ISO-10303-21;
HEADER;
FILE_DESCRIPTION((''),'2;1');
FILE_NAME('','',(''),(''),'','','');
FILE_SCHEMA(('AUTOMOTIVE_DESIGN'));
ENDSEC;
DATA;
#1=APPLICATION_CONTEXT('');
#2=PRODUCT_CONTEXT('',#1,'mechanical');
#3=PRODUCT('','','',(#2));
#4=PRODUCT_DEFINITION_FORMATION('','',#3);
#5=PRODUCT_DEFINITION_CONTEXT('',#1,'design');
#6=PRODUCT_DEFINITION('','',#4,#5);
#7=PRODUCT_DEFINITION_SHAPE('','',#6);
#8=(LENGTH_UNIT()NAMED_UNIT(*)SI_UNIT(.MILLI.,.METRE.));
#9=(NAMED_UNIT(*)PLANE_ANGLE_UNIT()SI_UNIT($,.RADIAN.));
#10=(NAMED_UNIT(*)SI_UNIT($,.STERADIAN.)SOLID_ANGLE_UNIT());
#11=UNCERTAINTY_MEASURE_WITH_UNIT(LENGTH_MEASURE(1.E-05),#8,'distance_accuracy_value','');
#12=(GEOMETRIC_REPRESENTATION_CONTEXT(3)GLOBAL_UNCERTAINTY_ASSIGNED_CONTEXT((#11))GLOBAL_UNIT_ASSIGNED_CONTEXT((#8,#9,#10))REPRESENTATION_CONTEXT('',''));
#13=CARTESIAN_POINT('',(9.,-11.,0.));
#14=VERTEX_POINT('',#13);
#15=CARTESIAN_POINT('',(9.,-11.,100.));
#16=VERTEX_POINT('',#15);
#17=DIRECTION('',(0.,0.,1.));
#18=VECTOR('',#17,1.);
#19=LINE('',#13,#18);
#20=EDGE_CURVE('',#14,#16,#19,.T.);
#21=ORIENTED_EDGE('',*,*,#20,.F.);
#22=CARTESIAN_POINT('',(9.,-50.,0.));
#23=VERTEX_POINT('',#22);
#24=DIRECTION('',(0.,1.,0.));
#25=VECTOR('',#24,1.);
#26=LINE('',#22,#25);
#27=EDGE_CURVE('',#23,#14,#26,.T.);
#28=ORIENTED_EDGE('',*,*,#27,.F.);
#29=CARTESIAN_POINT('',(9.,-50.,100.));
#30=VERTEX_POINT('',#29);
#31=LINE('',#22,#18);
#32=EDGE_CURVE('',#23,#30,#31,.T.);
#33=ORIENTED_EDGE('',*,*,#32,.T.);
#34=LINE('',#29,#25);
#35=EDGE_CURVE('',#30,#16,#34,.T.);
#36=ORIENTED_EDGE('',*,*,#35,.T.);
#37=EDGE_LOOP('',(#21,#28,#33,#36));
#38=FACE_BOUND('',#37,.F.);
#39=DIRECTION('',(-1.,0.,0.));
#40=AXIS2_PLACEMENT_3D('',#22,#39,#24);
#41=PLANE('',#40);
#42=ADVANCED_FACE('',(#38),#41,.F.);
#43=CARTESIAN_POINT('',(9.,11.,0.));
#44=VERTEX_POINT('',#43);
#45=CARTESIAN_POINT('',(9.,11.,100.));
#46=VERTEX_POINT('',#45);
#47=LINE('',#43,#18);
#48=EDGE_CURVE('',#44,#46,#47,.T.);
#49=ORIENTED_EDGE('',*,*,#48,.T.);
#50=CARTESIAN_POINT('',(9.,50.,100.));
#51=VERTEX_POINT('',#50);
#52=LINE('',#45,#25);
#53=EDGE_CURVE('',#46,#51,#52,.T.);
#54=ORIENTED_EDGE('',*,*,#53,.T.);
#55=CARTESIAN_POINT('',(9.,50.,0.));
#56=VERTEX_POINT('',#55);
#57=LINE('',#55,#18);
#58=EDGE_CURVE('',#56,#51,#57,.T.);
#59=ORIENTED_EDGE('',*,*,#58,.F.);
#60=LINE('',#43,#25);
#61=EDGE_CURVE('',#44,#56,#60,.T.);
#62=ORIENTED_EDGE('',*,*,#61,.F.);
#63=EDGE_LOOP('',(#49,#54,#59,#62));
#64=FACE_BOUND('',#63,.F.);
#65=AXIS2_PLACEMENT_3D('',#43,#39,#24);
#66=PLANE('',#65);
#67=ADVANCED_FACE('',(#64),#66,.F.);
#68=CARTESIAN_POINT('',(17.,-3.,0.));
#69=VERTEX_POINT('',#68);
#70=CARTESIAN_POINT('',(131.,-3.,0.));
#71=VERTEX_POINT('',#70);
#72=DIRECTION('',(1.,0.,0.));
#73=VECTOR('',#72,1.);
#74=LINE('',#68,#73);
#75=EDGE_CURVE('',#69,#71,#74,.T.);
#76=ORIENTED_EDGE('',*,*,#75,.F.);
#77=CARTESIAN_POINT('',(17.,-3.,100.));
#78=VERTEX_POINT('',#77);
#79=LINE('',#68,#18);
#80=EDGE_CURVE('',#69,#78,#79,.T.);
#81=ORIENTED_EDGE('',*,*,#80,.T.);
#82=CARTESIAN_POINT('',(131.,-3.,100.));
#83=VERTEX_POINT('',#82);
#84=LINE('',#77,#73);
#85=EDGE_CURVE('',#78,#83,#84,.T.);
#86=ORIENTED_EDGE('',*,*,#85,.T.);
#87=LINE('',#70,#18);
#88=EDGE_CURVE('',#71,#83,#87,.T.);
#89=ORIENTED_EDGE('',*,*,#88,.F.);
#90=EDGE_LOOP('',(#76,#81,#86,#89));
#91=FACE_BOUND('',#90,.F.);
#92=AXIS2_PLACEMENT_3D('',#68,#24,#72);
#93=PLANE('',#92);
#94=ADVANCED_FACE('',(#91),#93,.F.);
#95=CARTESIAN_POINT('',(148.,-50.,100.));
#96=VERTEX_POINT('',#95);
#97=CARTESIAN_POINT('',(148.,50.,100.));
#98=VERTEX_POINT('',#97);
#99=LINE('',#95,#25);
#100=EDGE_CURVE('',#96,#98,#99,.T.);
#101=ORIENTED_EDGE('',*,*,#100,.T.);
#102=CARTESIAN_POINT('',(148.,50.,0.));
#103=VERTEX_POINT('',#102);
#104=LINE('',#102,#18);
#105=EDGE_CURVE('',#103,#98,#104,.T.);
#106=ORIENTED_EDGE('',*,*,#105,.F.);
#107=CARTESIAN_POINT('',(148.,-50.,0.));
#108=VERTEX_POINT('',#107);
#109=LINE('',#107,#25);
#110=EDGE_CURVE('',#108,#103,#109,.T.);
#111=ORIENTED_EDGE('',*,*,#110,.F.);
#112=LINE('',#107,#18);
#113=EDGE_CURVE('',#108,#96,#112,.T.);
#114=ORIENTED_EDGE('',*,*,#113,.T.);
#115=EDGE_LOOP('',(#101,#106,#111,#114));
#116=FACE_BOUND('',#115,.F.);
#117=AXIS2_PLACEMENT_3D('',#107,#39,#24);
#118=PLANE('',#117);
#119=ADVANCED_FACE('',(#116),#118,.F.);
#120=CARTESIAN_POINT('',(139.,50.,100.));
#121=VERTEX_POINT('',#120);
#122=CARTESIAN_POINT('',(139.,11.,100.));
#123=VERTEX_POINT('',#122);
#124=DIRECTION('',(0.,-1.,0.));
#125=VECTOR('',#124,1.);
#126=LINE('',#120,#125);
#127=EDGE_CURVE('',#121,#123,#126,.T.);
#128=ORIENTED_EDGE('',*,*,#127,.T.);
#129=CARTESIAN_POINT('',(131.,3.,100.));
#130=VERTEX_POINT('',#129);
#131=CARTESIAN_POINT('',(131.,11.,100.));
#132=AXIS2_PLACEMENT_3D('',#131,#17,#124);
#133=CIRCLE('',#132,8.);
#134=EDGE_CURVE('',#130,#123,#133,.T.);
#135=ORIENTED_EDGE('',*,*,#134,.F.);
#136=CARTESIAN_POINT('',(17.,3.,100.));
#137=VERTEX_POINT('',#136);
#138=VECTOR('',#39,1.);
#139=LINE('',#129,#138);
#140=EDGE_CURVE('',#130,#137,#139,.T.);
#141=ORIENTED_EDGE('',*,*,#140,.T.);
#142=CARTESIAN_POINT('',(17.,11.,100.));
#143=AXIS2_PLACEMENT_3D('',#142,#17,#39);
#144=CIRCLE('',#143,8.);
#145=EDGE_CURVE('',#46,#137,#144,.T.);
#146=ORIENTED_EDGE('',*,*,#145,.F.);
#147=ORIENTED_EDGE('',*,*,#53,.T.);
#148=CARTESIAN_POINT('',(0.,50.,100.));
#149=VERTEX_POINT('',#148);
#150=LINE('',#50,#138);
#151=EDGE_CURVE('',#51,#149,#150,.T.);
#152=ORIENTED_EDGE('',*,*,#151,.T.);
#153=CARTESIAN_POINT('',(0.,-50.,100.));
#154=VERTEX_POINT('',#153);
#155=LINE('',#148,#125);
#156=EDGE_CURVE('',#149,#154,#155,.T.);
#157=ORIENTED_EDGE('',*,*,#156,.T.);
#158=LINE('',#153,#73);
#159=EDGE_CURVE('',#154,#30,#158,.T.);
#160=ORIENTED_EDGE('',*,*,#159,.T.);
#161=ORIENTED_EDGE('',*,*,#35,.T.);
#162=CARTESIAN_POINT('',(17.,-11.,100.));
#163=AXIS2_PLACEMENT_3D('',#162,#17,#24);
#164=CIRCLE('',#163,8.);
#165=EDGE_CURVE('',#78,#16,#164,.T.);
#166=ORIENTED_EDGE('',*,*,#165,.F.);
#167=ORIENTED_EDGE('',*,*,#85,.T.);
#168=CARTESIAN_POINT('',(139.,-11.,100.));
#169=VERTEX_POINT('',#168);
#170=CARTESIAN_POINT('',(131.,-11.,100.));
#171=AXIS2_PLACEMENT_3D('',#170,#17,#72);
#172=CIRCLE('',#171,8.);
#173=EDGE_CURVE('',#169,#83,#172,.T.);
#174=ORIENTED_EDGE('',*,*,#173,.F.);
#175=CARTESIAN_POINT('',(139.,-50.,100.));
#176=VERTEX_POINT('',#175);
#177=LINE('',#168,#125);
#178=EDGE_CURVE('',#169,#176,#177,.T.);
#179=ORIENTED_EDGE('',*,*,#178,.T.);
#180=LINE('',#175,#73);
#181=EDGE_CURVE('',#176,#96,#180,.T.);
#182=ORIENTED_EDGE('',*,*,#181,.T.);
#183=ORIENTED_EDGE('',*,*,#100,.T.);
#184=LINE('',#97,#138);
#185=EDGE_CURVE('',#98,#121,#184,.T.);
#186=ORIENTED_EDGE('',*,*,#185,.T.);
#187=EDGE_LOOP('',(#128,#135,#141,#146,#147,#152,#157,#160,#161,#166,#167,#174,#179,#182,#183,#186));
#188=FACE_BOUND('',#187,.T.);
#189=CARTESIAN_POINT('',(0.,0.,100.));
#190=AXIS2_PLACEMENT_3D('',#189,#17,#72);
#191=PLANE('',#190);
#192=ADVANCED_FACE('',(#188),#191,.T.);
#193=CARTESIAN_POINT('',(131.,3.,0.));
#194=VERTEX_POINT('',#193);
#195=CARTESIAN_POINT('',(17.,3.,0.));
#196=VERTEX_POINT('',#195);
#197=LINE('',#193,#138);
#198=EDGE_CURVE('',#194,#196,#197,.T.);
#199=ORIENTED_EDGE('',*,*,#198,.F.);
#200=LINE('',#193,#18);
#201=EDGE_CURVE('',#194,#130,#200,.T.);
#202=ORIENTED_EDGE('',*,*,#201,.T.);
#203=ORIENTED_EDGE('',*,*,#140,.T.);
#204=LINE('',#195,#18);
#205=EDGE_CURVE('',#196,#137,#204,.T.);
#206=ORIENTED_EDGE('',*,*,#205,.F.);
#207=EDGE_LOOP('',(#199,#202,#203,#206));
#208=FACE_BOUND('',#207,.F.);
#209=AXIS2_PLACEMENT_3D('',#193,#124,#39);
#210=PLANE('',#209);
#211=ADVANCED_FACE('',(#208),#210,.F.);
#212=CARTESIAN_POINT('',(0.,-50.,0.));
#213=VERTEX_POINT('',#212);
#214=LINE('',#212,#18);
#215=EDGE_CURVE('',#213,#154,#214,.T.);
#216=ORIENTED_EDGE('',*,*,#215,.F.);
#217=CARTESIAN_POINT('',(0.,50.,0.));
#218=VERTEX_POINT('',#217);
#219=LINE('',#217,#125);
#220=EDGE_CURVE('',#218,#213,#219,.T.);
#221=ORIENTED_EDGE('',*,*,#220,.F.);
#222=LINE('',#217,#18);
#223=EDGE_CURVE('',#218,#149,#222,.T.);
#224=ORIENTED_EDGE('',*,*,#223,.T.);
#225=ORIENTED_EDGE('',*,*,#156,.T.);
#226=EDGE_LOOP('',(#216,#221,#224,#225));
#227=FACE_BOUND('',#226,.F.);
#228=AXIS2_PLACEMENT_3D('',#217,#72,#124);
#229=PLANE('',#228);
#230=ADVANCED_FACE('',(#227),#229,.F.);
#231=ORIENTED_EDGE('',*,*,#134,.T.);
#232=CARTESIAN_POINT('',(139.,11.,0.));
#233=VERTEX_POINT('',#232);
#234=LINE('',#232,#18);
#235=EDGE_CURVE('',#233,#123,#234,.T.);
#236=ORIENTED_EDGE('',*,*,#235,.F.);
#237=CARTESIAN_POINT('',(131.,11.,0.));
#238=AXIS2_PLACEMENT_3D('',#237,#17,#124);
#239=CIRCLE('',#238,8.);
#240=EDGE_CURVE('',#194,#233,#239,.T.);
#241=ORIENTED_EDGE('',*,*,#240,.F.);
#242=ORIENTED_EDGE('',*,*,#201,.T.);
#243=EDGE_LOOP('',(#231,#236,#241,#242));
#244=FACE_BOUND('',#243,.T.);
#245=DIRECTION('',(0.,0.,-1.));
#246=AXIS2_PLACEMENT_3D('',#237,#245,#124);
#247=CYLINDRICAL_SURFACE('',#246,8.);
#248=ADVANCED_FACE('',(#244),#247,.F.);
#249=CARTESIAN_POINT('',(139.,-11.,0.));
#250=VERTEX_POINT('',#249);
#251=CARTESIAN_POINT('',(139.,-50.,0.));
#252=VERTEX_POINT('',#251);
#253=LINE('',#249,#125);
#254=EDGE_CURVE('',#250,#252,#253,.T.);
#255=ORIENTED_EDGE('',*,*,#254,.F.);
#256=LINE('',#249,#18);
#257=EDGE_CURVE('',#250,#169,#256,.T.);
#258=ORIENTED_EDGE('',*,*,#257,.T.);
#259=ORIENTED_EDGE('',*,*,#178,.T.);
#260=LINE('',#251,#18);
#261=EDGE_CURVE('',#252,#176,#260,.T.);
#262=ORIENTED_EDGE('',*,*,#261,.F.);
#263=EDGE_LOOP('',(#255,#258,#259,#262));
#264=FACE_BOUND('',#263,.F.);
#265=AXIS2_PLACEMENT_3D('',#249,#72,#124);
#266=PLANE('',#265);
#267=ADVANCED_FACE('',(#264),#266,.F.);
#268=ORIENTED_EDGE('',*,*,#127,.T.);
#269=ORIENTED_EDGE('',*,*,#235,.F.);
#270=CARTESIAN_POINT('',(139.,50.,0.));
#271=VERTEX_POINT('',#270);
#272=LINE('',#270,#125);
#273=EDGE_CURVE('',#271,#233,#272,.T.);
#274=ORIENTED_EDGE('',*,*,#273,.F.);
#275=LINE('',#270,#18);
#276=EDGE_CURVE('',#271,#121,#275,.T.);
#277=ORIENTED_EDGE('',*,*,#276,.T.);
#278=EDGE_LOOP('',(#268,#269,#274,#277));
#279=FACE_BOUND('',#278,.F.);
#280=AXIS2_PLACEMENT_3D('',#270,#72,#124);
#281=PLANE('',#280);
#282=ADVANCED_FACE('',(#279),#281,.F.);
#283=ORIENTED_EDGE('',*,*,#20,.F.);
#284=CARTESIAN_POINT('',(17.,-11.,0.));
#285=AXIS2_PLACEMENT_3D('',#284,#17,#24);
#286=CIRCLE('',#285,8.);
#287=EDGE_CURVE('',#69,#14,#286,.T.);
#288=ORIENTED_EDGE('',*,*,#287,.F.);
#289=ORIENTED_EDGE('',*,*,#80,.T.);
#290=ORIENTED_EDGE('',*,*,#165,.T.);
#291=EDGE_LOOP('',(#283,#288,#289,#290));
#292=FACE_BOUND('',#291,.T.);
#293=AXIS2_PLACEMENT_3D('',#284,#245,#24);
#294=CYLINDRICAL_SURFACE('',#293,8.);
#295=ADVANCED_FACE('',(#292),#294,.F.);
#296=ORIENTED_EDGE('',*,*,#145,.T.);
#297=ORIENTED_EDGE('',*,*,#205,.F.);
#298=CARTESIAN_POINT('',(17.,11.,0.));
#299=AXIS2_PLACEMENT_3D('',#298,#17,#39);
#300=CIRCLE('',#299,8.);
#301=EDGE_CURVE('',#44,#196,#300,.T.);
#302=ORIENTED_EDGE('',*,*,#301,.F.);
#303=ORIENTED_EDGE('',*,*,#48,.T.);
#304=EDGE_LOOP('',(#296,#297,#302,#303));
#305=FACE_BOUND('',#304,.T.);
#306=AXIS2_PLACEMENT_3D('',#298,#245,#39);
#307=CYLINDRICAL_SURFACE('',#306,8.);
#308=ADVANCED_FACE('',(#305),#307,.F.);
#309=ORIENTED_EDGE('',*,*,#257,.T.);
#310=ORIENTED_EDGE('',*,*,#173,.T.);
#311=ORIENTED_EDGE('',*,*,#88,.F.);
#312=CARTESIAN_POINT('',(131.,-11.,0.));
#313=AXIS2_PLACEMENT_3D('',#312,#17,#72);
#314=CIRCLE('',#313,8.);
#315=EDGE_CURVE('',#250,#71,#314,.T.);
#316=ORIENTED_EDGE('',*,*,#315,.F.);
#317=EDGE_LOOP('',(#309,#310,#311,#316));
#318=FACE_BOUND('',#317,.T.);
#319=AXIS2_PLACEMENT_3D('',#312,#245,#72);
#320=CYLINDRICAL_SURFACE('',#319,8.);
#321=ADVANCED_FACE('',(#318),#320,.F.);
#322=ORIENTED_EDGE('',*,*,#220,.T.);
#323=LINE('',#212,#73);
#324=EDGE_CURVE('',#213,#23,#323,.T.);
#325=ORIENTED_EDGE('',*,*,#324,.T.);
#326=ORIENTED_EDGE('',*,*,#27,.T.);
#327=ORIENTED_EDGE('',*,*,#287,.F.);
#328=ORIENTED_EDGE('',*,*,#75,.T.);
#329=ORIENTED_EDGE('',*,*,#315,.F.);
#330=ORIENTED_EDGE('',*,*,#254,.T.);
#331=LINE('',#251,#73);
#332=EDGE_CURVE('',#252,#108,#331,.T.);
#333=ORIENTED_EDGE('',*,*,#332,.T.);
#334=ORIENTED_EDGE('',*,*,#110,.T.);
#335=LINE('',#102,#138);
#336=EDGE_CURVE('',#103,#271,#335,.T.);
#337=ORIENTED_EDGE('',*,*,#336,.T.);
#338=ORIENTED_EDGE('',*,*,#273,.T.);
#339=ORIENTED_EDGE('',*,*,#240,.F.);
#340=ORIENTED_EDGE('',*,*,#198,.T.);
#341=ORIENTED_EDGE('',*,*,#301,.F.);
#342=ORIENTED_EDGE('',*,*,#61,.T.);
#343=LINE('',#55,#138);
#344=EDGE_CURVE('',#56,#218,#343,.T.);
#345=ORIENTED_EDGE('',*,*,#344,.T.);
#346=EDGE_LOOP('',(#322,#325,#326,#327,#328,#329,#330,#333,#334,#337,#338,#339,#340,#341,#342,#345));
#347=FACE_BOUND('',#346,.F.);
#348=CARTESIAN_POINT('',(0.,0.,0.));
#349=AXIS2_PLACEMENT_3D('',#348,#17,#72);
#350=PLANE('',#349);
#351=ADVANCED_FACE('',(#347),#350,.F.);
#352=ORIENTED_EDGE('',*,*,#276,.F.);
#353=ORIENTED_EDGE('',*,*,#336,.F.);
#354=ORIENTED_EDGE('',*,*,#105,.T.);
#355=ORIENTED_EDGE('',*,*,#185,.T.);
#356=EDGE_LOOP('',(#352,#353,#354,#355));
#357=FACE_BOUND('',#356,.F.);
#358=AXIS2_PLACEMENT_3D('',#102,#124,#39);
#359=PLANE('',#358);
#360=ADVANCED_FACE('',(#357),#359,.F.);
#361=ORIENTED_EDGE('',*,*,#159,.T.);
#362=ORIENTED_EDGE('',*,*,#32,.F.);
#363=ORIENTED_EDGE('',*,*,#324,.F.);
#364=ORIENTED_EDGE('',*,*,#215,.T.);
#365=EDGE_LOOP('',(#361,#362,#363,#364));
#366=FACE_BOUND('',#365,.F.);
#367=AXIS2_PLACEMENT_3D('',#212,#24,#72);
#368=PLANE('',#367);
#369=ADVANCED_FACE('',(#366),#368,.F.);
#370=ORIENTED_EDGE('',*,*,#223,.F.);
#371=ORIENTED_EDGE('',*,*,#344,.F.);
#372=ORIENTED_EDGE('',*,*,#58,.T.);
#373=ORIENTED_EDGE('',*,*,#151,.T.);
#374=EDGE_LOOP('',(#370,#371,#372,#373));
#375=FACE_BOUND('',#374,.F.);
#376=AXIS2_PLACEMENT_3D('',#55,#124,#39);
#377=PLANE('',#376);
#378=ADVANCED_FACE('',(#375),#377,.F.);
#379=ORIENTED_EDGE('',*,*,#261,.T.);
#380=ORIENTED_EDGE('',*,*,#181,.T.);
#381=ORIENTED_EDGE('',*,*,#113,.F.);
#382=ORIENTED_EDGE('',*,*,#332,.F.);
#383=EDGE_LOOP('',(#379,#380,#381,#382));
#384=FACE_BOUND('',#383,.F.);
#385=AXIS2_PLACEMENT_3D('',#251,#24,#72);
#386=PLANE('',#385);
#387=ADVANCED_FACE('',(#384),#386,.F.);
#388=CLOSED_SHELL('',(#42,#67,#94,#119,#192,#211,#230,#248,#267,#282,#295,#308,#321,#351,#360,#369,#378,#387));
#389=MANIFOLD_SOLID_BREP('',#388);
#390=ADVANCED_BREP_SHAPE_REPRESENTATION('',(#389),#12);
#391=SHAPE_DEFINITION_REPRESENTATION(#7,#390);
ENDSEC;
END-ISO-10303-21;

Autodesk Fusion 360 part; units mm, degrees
sketch "スケッチ1" plane through (0, 0, 0) normal (0, 0, 1) x (1, 0, 0)
  line L0 (0, 50) -> (0, -50)
  line L1 (148, -50) -> (148, 50)
  line L2 (17, -3) -> (131, -3)
  line L3 (9, -50) -> (9, -11)
  line L4 (0, -50) -> (9, -50)
  line L5 (139, -11) -> (139, -50)
  line L6 (139, -50) -> (148, -50)
  line L7 (131, 3) -> (17, 3)
  line L8 (9, 11) -> (9, 50)
  line L9 (9, 50) -> (0, 50)
  line L10 (139, 50) -> (139, 11)
  line L11 (148, 50) -> (139, 50)
  arc A0 (9, 11) -> (17, 3) centre (17, 11) ccw
  arc A1 (17, -3) -> (9, -11) centre (17, -11) ccw
  arc A2 (139, -11) -> (131, -3) centre (131, -11) ccw
  arc A3 (131, 3) -> (139, 11) centre (131, 11) ccw
extrude "押し出し1" add sketch "スケッチ1" along normal blind 100
